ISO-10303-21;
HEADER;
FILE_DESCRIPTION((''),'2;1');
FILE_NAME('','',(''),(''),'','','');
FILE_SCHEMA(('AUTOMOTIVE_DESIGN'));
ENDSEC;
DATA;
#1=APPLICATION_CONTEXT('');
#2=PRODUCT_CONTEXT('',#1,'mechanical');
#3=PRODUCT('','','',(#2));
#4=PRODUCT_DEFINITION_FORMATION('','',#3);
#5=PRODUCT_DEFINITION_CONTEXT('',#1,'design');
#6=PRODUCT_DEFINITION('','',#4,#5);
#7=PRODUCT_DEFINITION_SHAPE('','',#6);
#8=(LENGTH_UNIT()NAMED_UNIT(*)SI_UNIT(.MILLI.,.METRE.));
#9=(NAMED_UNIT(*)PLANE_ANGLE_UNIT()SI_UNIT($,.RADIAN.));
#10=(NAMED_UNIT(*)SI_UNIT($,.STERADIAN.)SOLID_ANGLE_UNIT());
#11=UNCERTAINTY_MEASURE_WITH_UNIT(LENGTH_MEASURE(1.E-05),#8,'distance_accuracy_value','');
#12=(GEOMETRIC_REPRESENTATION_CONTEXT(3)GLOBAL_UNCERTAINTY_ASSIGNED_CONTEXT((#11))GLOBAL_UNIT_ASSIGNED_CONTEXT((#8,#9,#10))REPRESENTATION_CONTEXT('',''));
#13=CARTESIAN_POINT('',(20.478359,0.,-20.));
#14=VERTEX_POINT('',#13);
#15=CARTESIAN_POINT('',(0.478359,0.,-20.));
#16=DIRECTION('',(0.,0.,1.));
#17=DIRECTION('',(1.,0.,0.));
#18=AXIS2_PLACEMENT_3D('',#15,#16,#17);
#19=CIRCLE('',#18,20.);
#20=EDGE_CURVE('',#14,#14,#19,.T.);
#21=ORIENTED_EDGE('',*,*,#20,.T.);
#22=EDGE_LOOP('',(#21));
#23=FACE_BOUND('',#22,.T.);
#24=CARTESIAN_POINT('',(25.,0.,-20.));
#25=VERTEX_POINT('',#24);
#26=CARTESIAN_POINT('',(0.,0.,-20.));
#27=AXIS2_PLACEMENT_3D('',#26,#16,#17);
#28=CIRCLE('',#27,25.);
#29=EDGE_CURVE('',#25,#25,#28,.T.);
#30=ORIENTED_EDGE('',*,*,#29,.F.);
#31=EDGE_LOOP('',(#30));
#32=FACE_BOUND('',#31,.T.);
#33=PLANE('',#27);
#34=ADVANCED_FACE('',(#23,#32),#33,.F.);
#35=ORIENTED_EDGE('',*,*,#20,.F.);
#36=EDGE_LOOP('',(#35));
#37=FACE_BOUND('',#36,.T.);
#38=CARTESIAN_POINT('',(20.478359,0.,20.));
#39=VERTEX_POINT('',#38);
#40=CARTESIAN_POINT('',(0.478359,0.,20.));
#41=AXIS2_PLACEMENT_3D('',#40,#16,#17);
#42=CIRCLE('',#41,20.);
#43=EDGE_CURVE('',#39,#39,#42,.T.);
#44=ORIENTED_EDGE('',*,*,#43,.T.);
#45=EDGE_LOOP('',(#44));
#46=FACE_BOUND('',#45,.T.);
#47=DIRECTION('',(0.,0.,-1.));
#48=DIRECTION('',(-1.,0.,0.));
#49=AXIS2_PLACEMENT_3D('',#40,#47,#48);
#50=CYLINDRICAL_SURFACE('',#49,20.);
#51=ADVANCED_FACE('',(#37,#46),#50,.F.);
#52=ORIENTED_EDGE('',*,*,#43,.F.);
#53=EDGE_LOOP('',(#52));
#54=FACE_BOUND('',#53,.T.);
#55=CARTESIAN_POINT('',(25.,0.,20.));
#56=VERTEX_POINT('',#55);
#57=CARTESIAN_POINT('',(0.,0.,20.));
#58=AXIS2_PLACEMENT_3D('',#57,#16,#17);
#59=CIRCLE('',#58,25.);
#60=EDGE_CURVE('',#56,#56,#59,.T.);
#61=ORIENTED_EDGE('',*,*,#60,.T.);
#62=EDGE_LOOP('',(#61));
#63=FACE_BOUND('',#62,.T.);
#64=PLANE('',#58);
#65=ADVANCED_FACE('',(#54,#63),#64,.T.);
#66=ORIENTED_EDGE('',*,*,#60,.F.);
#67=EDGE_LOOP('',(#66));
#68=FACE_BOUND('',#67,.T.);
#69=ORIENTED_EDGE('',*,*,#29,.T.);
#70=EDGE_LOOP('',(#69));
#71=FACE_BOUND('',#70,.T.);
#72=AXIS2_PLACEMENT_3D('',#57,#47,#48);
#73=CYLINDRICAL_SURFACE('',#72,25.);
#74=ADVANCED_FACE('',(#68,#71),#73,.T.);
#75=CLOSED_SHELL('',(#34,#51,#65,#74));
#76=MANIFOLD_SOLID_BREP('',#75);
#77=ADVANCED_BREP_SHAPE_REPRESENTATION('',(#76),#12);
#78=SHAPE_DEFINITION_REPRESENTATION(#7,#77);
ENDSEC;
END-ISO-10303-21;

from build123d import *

# Parameters (mm, degrees)
IZIM1_R                     = 25
IZIM1_R_2                   = 20
Y_KSEKLIK_EKSTR_ZYON1_DEPTH = 20


with BuildPart() as part:
    # Çizim1 → Yükseklik-Ekstrüzyon1 (new, symmetric)
    with BuildSketch(Plane.XY):
        Circle(IZIM1_R)
        with Locations((0.478359133, 0)):
            Circle(IZIM1_R_2, mode=Mode.SUBTRACT)
    extrude(amount=Y_KSEKLIK_EKSTR_ZYON1_DEPTH, both=True)


solid = part.part
